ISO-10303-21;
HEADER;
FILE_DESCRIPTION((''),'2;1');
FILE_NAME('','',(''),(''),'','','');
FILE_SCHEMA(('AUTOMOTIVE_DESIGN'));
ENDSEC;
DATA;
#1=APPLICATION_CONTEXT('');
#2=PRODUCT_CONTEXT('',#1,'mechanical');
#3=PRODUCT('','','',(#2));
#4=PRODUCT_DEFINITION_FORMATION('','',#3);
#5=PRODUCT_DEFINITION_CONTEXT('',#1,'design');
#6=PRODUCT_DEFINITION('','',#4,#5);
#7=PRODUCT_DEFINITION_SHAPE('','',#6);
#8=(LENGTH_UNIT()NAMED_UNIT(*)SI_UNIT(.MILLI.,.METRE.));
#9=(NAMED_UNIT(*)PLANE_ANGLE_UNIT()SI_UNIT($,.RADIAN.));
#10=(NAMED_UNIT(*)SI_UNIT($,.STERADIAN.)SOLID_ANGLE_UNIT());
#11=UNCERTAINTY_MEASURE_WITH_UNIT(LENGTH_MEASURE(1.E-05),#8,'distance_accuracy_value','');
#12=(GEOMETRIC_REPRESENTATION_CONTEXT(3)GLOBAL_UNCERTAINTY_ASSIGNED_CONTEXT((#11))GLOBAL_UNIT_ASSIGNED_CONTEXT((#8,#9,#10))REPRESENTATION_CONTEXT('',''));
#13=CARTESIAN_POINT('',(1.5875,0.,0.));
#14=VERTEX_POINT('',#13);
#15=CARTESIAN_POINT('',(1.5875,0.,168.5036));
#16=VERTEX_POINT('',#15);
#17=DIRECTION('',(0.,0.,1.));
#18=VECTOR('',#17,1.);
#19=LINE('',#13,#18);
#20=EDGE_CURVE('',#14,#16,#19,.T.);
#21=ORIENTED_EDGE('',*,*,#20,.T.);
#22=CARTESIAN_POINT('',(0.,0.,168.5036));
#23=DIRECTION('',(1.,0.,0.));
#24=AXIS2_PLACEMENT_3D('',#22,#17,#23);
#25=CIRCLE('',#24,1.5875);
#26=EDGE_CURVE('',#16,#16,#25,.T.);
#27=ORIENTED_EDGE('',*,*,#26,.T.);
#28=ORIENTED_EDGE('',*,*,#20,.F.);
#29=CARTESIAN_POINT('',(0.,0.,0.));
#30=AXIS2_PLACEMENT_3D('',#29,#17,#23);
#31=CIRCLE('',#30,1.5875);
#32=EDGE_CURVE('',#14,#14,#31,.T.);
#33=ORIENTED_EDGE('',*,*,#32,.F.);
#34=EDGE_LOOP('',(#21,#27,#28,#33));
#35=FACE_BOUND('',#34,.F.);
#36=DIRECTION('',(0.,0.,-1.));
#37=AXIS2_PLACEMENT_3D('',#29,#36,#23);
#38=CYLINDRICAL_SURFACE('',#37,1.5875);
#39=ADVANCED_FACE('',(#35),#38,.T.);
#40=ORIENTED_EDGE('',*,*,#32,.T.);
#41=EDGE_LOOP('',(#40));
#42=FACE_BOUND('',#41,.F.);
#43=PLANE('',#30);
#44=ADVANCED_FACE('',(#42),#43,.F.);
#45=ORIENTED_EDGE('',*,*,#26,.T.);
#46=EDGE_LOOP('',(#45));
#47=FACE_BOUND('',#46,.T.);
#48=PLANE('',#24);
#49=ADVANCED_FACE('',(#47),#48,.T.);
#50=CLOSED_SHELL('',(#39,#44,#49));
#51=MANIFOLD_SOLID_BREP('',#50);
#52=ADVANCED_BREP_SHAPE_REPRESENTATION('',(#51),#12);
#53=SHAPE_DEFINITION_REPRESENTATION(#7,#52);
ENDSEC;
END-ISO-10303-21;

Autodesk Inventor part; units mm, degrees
ref_plane "YZ Plane" through (0, 0, 0) normal (1, 0, 0) x (0, 1, 0)
ref_plane "XZ Plane" through (0, 0, 0) normal (0, 1, 0) x (-1, 0, 0)
ref_plane "XY Plane" through (0, 0, 0) normal (0, 0, 1) x (1, 0, 0)
sketch "Sketch1" plane through (0, 0, 0) normal (0, 0, 1) x (1, 0, 0)
  circle A0 centre (0, 0) radius 1.5875
  dimension "d0" = 3.175
extrude "Extrusion1" add sketch "Sketch1" along normal blind 168.5036
properties part number "PistonSupportRod" material "Steel, Carbon"
